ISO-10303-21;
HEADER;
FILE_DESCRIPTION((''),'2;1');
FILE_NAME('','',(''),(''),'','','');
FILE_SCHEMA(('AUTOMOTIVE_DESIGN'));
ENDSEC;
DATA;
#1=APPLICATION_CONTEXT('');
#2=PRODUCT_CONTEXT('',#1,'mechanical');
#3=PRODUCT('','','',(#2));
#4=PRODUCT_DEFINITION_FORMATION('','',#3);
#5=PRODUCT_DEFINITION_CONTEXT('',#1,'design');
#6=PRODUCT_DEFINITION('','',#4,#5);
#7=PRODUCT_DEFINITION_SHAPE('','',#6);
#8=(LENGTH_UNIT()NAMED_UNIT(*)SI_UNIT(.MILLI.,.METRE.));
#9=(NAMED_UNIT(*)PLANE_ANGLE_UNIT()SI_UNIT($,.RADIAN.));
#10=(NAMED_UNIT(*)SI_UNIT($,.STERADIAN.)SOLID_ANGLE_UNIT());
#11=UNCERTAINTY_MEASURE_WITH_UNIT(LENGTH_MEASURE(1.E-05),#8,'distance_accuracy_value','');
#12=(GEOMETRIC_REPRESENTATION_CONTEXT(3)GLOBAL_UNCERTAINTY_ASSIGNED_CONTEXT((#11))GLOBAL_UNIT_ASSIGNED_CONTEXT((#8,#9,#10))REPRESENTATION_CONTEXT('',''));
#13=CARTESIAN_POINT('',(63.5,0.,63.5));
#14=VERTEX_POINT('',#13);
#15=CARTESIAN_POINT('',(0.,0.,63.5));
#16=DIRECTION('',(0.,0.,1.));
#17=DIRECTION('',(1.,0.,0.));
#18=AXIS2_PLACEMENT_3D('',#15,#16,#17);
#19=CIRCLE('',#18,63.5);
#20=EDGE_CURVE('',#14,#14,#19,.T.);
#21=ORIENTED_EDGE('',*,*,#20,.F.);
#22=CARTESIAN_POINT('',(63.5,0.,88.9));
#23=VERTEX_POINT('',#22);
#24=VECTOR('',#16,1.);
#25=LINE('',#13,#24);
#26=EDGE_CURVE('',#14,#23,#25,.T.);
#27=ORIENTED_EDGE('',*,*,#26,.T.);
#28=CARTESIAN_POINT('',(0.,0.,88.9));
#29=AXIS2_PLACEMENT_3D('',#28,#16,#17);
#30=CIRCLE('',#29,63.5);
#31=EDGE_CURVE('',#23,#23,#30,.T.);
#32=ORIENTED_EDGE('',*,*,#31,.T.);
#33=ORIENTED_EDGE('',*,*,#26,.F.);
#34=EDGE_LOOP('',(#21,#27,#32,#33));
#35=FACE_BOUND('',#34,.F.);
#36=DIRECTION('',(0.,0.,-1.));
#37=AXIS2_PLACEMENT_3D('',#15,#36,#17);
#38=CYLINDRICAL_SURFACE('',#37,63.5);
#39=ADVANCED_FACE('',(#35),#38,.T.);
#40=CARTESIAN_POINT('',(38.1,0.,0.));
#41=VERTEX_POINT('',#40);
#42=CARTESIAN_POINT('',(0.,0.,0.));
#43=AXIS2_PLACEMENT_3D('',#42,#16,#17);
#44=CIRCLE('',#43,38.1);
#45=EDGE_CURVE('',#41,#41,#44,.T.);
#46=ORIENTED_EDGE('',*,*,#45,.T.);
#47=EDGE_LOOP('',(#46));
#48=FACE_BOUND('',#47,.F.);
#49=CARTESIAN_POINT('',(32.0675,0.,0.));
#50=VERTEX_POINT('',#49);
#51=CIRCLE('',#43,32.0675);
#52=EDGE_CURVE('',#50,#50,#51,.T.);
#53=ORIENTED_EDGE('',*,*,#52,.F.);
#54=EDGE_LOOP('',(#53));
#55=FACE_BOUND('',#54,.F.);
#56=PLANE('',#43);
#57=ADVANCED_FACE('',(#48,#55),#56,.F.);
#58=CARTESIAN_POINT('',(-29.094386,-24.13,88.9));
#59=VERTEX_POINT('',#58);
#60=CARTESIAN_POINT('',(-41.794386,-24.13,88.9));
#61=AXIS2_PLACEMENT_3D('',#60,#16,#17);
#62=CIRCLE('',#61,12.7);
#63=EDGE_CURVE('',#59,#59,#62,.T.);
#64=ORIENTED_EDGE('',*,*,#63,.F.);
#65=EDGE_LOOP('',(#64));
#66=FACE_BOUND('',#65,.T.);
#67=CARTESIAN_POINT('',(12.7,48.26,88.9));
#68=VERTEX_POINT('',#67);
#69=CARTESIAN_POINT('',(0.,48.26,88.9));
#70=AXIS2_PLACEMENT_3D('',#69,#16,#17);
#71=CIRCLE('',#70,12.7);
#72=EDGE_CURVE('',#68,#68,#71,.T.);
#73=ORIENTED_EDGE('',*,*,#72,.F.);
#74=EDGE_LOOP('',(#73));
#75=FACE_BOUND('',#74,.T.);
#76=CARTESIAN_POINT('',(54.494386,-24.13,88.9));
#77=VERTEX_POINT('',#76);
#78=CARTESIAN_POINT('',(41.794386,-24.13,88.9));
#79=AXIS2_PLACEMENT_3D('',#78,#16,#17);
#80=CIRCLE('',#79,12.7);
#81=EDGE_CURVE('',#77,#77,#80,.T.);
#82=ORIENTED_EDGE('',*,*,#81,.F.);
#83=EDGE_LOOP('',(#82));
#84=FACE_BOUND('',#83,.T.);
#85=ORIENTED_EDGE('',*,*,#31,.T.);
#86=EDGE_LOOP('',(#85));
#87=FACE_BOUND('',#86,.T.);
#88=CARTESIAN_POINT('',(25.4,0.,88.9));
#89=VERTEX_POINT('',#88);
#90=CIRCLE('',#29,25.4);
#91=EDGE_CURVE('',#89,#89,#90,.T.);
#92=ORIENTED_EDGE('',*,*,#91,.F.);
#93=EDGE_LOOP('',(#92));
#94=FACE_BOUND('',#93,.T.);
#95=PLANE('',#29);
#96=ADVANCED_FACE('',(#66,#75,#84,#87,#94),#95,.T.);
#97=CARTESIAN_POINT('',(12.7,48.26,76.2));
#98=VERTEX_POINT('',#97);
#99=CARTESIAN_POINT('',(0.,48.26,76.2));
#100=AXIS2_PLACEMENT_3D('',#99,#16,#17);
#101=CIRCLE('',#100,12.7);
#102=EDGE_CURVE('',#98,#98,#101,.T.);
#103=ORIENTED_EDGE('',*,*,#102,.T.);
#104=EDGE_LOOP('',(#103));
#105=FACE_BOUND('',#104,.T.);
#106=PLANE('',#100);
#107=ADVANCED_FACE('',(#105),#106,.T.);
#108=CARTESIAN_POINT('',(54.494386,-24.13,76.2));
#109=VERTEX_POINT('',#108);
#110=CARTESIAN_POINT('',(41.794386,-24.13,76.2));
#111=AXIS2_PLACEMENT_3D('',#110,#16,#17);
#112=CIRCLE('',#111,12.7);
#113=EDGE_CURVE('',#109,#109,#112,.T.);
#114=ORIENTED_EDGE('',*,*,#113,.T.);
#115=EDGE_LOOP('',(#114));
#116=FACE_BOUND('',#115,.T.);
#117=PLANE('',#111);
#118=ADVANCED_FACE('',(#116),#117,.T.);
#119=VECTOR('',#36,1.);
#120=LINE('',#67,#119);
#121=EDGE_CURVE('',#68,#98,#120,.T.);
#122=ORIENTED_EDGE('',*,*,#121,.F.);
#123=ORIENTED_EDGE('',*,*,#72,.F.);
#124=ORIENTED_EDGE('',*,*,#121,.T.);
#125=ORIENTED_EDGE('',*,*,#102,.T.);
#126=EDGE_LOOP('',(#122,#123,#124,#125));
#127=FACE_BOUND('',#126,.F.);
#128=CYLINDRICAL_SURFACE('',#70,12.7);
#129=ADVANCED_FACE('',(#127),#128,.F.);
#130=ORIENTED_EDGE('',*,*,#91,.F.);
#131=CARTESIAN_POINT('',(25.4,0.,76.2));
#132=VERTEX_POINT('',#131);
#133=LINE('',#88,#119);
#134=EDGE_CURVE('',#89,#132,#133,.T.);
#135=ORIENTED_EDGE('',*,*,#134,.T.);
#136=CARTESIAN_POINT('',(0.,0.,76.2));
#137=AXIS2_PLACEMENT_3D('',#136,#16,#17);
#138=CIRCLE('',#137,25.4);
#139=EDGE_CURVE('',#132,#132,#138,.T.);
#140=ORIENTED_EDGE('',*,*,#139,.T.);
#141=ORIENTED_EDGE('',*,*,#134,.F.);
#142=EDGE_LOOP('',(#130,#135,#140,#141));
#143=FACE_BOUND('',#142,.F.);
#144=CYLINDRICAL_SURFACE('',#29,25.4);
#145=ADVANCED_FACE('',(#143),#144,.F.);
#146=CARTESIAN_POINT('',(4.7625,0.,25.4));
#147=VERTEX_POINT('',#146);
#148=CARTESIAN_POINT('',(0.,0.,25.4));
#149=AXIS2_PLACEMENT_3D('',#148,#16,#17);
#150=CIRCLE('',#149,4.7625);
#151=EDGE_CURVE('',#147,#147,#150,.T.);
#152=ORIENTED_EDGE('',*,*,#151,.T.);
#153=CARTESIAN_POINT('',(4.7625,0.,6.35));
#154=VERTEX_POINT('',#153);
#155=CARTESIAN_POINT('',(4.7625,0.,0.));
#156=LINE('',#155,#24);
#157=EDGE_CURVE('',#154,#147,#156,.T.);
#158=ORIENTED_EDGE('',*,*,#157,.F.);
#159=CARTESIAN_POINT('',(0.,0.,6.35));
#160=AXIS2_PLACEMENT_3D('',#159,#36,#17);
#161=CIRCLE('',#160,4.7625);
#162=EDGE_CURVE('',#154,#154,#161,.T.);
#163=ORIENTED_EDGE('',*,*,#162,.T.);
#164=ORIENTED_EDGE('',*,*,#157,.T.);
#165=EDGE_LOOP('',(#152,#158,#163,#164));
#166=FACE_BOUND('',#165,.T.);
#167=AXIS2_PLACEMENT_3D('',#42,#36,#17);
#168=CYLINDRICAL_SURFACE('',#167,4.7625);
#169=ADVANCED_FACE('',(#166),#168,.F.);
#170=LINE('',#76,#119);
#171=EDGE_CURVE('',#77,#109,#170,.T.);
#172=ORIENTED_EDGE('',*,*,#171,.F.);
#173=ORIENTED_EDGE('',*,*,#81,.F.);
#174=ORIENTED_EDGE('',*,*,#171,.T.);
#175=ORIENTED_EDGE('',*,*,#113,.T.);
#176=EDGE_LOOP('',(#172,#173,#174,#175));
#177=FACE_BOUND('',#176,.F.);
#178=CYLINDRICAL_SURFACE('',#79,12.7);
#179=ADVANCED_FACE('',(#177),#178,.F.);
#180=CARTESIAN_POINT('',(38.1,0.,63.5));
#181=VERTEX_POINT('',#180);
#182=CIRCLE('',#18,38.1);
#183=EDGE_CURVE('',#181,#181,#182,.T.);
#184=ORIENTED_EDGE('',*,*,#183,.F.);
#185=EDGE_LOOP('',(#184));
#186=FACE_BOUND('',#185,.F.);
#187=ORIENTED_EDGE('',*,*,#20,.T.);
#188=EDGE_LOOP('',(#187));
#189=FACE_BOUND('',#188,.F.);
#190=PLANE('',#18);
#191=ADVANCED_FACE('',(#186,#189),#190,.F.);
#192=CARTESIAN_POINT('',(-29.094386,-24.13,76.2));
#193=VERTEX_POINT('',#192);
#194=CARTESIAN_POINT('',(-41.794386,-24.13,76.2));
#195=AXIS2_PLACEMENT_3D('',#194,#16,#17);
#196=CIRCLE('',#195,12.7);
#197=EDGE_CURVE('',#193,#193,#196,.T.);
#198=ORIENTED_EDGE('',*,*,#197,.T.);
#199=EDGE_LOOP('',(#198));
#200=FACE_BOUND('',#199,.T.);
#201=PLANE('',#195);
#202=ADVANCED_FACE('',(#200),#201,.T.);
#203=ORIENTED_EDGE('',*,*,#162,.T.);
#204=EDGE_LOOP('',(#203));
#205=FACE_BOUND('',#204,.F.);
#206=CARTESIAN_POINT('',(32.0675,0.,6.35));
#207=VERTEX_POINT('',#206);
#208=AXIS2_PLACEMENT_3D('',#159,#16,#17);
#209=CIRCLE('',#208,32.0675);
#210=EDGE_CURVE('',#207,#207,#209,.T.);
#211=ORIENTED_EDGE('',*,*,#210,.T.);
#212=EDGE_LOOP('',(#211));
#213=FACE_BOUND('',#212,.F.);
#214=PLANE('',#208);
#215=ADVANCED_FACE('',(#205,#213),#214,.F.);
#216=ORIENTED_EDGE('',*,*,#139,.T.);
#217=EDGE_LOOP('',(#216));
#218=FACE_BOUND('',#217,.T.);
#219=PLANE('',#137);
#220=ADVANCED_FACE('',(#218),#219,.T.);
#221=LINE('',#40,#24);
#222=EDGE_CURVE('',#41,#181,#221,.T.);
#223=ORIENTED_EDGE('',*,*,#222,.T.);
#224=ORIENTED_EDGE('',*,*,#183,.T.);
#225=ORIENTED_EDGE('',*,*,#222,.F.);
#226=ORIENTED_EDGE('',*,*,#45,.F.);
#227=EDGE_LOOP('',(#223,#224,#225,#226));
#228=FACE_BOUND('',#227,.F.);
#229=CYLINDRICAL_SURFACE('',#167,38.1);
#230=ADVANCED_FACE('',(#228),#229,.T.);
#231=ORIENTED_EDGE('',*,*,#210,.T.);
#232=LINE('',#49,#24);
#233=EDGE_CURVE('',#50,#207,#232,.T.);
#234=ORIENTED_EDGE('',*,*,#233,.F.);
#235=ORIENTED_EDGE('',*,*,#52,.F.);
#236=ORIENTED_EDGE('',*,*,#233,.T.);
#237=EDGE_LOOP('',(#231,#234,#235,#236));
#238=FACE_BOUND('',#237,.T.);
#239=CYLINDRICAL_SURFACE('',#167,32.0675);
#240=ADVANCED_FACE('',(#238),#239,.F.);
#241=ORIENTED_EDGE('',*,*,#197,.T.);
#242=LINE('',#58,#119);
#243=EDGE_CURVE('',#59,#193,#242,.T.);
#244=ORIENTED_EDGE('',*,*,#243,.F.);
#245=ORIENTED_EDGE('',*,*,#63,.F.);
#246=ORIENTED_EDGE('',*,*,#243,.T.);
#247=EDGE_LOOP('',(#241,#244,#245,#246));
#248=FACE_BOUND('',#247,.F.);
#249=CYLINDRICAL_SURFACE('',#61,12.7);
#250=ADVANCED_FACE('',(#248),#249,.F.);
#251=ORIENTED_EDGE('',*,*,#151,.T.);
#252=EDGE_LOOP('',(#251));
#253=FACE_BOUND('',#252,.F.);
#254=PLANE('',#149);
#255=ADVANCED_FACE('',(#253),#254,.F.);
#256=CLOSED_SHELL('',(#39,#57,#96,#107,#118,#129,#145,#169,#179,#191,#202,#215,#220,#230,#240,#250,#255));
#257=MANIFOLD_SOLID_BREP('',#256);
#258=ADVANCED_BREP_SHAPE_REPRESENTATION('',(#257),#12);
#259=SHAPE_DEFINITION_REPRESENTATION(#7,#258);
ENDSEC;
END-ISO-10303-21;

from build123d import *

# Parameters (mm, degrees)
F0_R     = 38.1
F0_R_2   = 32.0675
F1_DEPTH = 63.5
F2_DEPTH = 6.35
F3_R     = 4.7625
F4_DEPTH = 25.4
F5_R     = 63.5
F6_DEPTH = 25.4
F7_R     = 12.7
F7_R_2   = 25.4
F8_DEPTH = 12.7


with BuildPart() as f1:
    # F0 (on Top) → F1 (new body)
    with BuildSketch(Plane.XY):
        Circle(F0_R)
        Circle(F0_R_2, mode=Mode.SUBTRACT)
        Circle(F0_R_2)
    extrude(amount=F1_DEPTH)

    # F0 (on Top) → F2 (cut)
    with BuildSketch(Plane.XY):
        Circle(F0_R_2)
    extrude(amount=F2_DEPTH, mode=Mode.SUBTRACT)

    # F3 (on Top) → F4 (cut)
    with BuildSketch(Plane.XY):
        Circle(F3_R)
    extrude(amount=F4_DEPTH, mode=Mode.SUBTRACT)

    # F5 (on face) → F6 (join)
    with BuildSketch(Plane.XY.offset(63.5)):
        Circle(F5_R)
    extrude(amount=F6_DEPTH)

    # F7 (on face) → F8 (cut)
    with BuildSketch(Plane.XY.offset(88.9)):
        with Locations((0, 48.26)):
            Circle(F7_R)
        with Locations((-41.794386, -24.13)):
            Circle(F7_R)
        with Locations((41.794386, -24.13)):
            Circle(F7_R)
        Circle(F7_R_2)
    extrude(amount=-F8_DEPTH, mode=Mode.SUBTRACT)


solid = f1.part
